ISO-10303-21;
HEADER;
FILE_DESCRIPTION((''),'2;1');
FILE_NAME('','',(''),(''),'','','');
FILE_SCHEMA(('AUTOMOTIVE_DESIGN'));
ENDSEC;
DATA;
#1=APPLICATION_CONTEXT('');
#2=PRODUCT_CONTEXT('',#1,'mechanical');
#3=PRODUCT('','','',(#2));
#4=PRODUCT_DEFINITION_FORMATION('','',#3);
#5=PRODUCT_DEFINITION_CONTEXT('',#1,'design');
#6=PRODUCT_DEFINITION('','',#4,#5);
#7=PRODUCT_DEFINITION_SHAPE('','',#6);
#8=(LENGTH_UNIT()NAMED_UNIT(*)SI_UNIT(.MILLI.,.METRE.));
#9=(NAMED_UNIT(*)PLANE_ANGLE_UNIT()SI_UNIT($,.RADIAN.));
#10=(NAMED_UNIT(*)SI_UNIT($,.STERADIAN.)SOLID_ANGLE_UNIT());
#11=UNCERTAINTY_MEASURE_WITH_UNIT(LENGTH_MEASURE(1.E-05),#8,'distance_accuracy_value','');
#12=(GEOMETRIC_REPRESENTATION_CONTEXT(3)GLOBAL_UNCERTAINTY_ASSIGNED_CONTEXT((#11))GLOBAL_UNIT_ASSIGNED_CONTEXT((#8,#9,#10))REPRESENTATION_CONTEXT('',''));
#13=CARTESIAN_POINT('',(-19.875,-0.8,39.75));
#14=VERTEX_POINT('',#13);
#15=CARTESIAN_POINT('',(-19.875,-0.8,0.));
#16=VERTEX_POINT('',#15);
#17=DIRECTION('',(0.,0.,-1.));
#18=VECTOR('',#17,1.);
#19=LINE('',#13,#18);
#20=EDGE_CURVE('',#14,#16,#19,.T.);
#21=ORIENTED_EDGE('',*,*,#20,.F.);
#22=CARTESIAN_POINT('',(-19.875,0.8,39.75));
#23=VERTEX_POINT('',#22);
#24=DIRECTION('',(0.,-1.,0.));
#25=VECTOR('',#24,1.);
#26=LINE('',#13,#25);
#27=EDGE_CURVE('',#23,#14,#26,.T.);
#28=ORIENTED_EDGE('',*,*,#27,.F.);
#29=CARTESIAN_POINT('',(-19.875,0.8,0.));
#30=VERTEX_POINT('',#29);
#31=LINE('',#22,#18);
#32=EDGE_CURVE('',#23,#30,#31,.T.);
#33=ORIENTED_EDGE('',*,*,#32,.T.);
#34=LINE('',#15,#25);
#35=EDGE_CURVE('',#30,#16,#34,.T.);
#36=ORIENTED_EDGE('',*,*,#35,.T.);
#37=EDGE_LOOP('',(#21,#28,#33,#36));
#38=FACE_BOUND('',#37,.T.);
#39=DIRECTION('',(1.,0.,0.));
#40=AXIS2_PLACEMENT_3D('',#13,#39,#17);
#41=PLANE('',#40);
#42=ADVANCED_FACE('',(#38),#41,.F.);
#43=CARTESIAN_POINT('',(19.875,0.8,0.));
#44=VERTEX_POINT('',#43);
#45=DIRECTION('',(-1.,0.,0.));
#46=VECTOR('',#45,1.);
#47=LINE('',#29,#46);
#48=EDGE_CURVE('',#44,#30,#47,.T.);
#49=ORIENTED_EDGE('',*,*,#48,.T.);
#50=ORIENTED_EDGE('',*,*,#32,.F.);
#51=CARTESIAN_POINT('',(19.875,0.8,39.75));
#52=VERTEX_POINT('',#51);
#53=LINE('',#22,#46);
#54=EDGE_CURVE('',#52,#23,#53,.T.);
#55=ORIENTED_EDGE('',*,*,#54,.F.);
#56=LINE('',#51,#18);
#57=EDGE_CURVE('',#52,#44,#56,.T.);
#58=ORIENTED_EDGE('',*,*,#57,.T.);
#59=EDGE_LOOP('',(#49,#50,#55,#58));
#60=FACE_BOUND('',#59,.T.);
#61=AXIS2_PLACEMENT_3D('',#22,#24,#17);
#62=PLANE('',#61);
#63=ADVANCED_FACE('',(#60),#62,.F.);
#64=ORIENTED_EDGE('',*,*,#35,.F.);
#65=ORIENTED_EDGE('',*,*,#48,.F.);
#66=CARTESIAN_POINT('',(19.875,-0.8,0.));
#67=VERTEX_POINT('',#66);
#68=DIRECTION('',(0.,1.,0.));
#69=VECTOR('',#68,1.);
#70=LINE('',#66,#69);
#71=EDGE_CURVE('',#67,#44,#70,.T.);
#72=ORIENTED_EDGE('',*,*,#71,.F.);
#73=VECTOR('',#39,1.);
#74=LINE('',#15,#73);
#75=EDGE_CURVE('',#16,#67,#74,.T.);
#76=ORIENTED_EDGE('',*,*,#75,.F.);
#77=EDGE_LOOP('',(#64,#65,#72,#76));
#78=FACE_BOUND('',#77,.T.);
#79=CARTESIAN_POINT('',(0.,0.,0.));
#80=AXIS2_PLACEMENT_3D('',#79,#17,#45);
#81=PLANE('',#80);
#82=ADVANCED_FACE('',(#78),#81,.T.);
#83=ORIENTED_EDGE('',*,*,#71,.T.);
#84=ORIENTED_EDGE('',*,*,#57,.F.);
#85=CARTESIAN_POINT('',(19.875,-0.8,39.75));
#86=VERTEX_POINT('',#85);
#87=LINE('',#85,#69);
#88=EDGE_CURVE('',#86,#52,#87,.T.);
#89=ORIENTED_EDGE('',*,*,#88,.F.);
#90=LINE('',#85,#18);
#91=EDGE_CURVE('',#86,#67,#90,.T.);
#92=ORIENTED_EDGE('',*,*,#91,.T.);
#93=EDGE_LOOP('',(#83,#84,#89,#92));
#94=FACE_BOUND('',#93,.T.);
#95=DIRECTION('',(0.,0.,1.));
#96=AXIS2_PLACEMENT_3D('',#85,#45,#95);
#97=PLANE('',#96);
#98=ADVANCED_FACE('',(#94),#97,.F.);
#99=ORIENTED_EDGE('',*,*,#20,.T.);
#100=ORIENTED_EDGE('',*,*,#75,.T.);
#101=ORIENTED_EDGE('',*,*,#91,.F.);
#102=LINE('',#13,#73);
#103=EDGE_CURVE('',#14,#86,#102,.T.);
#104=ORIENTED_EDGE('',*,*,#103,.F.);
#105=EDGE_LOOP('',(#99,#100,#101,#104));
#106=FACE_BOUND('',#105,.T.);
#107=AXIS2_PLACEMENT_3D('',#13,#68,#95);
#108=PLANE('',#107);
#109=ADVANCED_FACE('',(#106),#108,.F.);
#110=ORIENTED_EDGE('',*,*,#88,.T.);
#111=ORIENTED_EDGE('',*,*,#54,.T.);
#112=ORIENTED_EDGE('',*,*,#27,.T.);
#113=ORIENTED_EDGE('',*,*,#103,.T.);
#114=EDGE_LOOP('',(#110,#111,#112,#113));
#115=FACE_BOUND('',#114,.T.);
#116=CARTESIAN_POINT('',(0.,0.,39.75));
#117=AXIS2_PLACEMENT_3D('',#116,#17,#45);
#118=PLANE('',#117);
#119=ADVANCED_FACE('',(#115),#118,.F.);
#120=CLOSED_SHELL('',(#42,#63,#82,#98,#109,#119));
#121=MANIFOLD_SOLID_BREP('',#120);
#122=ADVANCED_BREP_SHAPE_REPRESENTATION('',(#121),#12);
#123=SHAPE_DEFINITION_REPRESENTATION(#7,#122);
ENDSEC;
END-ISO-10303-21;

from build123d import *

# Parameters (mm, degrees)
SKETCH1_W      = 39.75
SKETCH1_H      = 1.6
ENVELOPE_DEPTH = 39.75


with BuildPart() as part:
    # Sketch1 → Envelope (new body)
    with BuildSketch(Plane.XY):
        Rectangle(SKETCH1_W, SKETCH1_H)
    extrude(amount=ENVELOPE_DEPTH)


solid = part.part
